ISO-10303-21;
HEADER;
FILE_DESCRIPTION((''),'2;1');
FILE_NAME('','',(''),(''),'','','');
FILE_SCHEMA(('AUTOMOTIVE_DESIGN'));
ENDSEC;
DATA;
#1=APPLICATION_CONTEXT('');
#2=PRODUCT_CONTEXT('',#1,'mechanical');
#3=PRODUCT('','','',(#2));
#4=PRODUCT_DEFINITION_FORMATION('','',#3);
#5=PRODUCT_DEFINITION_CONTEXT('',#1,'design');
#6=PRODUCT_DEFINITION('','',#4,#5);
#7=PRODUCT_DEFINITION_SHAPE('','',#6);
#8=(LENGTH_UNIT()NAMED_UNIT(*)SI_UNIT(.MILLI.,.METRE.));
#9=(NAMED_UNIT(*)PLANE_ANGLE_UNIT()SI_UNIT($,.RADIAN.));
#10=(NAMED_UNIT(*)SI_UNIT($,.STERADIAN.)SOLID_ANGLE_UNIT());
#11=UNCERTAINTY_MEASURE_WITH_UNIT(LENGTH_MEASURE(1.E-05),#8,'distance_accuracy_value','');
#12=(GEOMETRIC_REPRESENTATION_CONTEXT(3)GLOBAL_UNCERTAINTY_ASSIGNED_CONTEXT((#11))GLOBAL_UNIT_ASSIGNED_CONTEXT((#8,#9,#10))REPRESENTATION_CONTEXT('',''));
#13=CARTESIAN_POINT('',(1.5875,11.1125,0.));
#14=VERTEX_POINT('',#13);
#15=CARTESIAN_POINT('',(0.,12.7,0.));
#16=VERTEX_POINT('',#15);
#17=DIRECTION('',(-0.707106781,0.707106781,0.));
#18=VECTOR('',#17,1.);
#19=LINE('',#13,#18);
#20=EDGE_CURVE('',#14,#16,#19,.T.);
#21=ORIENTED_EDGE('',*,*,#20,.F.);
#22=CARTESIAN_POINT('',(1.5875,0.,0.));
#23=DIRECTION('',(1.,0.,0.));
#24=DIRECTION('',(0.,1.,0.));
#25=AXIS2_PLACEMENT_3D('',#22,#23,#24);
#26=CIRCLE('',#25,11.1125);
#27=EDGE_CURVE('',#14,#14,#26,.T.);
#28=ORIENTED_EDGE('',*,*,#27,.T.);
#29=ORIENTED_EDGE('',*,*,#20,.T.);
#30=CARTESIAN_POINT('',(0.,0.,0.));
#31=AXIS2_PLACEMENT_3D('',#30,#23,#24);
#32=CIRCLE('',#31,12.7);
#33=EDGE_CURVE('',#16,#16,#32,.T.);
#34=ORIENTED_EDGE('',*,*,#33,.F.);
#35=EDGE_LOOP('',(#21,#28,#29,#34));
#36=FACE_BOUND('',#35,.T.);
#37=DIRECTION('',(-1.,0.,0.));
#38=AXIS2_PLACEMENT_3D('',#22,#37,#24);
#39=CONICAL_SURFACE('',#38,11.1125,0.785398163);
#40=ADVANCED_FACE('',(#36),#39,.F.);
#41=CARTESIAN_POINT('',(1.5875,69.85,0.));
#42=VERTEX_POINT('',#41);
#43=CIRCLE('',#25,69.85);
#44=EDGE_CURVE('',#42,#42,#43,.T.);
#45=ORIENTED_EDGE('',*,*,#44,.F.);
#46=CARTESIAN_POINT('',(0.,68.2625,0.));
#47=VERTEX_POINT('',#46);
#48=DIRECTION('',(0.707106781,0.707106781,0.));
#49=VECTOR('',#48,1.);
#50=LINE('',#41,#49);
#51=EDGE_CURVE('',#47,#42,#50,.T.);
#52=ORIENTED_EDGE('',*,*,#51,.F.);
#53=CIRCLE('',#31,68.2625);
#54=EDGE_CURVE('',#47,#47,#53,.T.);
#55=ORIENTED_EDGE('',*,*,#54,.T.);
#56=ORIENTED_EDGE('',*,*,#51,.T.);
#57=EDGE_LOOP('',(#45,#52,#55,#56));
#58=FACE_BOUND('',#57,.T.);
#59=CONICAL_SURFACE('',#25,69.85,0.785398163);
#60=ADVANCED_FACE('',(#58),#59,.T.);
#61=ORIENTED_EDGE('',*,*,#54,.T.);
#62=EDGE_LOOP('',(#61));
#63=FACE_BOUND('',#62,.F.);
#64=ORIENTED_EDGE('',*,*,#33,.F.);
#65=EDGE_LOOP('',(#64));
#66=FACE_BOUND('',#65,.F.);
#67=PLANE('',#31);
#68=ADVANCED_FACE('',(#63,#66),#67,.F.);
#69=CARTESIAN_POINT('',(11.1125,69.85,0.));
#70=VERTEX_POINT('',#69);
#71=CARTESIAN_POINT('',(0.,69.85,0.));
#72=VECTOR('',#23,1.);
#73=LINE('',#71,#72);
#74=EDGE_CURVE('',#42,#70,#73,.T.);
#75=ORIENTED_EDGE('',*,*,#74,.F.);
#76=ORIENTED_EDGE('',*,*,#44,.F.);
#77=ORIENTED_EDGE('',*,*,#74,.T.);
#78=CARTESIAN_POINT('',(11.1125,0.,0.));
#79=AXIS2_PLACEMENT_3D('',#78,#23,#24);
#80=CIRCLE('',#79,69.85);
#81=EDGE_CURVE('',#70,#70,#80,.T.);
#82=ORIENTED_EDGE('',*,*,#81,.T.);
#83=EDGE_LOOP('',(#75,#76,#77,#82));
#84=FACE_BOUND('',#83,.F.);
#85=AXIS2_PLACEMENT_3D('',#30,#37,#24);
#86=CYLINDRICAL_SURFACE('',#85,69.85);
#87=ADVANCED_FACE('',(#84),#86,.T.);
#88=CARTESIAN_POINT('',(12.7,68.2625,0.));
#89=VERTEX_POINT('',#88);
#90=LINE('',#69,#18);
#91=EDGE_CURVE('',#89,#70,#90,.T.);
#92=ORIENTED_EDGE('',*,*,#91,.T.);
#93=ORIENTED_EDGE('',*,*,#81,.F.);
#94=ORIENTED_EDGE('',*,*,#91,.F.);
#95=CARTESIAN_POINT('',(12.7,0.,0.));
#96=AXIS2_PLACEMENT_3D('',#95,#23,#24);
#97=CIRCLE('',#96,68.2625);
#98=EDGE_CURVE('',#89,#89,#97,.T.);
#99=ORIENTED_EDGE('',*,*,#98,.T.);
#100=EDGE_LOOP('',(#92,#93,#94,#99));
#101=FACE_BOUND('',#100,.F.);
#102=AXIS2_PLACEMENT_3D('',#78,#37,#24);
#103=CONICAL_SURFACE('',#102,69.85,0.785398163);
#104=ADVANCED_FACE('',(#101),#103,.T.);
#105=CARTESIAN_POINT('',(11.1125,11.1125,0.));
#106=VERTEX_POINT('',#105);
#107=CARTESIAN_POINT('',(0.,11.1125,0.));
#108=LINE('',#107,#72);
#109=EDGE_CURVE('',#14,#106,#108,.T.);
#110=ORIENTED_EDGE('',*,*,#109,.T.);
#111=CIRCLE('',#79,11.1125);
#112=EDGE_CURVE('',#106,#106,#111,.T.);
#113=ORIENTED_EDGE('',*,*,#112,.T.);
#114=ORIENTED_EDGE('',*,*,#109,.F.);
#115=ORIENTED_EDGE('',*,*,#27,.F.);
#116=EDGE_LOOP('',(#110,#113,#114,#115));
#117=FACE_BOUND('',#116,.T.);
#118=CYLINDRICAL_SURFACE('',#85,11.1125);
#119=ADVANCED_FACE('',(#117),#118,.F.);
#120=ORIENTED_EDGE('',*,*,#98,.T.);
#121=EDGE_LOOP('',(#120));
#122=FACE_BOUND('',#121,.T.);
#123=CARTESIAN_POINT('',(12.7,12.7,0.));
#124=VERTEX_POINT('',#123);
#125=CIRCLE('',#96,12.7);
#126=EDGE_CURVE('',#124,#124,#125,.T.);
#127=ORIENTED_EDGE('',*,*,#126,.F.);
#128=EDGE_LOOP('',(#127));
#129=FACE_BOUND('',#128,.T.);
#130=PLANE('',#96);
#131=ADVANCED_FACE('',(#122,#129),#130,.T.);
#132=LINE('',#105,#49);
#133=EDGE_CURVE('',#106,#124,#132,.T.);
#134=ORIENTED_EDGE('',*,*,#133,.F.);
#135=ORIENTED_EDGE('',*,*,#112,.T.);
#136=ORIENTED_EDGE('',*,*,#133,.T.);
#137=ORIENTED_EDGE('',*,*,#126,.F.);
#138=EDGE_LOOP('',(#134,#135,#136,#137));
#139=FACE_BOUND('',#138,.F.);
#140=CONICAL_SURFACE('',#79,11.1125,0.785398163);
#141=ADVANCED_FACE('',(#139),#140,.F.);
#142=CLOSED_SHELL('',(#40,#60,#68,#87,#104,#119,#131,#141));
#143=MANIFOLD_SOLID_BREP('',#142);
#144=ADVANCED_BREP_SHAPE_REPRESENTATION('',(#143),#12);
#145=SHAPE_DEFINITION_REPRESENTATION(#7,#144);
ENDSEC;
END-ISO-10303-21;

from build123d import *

# Parameters (mm, degrees)
F0_R     = 69.85
F0_R_2   = 11.1125
F1_DEPTH = 12.7
F2_SIZE  = 1.5875
F3_SIZE  = 1.5875


with BuildPart() as f1:
    # F0 (on Right) → F1 (new body)
    with BuildSketch(Plane.YZ):
        Circle(F0_R)
        Circle(F0_R_2, mode=Mode.SUBTRACT)
    extrude(amount=F1_DEPTH)

    # F2
    f2_edges = [f1.edges().sort_by_distance(p)[0] for p in [
        (0, -11.1125, 0),
        (12.7, -11.1125, 0),
    ]]
    chamfer(f2_edges, length=F2_SIZE)

    # F3
    f3_edges = [f1.edges().sort_by_distance(p)[0] for p in [
        (0, -69.85, 0),
        (12.7, -69.85, 0),
    ]]
    chamfer(f3_edges, length=F3_SIZE)


solid = f1.part
